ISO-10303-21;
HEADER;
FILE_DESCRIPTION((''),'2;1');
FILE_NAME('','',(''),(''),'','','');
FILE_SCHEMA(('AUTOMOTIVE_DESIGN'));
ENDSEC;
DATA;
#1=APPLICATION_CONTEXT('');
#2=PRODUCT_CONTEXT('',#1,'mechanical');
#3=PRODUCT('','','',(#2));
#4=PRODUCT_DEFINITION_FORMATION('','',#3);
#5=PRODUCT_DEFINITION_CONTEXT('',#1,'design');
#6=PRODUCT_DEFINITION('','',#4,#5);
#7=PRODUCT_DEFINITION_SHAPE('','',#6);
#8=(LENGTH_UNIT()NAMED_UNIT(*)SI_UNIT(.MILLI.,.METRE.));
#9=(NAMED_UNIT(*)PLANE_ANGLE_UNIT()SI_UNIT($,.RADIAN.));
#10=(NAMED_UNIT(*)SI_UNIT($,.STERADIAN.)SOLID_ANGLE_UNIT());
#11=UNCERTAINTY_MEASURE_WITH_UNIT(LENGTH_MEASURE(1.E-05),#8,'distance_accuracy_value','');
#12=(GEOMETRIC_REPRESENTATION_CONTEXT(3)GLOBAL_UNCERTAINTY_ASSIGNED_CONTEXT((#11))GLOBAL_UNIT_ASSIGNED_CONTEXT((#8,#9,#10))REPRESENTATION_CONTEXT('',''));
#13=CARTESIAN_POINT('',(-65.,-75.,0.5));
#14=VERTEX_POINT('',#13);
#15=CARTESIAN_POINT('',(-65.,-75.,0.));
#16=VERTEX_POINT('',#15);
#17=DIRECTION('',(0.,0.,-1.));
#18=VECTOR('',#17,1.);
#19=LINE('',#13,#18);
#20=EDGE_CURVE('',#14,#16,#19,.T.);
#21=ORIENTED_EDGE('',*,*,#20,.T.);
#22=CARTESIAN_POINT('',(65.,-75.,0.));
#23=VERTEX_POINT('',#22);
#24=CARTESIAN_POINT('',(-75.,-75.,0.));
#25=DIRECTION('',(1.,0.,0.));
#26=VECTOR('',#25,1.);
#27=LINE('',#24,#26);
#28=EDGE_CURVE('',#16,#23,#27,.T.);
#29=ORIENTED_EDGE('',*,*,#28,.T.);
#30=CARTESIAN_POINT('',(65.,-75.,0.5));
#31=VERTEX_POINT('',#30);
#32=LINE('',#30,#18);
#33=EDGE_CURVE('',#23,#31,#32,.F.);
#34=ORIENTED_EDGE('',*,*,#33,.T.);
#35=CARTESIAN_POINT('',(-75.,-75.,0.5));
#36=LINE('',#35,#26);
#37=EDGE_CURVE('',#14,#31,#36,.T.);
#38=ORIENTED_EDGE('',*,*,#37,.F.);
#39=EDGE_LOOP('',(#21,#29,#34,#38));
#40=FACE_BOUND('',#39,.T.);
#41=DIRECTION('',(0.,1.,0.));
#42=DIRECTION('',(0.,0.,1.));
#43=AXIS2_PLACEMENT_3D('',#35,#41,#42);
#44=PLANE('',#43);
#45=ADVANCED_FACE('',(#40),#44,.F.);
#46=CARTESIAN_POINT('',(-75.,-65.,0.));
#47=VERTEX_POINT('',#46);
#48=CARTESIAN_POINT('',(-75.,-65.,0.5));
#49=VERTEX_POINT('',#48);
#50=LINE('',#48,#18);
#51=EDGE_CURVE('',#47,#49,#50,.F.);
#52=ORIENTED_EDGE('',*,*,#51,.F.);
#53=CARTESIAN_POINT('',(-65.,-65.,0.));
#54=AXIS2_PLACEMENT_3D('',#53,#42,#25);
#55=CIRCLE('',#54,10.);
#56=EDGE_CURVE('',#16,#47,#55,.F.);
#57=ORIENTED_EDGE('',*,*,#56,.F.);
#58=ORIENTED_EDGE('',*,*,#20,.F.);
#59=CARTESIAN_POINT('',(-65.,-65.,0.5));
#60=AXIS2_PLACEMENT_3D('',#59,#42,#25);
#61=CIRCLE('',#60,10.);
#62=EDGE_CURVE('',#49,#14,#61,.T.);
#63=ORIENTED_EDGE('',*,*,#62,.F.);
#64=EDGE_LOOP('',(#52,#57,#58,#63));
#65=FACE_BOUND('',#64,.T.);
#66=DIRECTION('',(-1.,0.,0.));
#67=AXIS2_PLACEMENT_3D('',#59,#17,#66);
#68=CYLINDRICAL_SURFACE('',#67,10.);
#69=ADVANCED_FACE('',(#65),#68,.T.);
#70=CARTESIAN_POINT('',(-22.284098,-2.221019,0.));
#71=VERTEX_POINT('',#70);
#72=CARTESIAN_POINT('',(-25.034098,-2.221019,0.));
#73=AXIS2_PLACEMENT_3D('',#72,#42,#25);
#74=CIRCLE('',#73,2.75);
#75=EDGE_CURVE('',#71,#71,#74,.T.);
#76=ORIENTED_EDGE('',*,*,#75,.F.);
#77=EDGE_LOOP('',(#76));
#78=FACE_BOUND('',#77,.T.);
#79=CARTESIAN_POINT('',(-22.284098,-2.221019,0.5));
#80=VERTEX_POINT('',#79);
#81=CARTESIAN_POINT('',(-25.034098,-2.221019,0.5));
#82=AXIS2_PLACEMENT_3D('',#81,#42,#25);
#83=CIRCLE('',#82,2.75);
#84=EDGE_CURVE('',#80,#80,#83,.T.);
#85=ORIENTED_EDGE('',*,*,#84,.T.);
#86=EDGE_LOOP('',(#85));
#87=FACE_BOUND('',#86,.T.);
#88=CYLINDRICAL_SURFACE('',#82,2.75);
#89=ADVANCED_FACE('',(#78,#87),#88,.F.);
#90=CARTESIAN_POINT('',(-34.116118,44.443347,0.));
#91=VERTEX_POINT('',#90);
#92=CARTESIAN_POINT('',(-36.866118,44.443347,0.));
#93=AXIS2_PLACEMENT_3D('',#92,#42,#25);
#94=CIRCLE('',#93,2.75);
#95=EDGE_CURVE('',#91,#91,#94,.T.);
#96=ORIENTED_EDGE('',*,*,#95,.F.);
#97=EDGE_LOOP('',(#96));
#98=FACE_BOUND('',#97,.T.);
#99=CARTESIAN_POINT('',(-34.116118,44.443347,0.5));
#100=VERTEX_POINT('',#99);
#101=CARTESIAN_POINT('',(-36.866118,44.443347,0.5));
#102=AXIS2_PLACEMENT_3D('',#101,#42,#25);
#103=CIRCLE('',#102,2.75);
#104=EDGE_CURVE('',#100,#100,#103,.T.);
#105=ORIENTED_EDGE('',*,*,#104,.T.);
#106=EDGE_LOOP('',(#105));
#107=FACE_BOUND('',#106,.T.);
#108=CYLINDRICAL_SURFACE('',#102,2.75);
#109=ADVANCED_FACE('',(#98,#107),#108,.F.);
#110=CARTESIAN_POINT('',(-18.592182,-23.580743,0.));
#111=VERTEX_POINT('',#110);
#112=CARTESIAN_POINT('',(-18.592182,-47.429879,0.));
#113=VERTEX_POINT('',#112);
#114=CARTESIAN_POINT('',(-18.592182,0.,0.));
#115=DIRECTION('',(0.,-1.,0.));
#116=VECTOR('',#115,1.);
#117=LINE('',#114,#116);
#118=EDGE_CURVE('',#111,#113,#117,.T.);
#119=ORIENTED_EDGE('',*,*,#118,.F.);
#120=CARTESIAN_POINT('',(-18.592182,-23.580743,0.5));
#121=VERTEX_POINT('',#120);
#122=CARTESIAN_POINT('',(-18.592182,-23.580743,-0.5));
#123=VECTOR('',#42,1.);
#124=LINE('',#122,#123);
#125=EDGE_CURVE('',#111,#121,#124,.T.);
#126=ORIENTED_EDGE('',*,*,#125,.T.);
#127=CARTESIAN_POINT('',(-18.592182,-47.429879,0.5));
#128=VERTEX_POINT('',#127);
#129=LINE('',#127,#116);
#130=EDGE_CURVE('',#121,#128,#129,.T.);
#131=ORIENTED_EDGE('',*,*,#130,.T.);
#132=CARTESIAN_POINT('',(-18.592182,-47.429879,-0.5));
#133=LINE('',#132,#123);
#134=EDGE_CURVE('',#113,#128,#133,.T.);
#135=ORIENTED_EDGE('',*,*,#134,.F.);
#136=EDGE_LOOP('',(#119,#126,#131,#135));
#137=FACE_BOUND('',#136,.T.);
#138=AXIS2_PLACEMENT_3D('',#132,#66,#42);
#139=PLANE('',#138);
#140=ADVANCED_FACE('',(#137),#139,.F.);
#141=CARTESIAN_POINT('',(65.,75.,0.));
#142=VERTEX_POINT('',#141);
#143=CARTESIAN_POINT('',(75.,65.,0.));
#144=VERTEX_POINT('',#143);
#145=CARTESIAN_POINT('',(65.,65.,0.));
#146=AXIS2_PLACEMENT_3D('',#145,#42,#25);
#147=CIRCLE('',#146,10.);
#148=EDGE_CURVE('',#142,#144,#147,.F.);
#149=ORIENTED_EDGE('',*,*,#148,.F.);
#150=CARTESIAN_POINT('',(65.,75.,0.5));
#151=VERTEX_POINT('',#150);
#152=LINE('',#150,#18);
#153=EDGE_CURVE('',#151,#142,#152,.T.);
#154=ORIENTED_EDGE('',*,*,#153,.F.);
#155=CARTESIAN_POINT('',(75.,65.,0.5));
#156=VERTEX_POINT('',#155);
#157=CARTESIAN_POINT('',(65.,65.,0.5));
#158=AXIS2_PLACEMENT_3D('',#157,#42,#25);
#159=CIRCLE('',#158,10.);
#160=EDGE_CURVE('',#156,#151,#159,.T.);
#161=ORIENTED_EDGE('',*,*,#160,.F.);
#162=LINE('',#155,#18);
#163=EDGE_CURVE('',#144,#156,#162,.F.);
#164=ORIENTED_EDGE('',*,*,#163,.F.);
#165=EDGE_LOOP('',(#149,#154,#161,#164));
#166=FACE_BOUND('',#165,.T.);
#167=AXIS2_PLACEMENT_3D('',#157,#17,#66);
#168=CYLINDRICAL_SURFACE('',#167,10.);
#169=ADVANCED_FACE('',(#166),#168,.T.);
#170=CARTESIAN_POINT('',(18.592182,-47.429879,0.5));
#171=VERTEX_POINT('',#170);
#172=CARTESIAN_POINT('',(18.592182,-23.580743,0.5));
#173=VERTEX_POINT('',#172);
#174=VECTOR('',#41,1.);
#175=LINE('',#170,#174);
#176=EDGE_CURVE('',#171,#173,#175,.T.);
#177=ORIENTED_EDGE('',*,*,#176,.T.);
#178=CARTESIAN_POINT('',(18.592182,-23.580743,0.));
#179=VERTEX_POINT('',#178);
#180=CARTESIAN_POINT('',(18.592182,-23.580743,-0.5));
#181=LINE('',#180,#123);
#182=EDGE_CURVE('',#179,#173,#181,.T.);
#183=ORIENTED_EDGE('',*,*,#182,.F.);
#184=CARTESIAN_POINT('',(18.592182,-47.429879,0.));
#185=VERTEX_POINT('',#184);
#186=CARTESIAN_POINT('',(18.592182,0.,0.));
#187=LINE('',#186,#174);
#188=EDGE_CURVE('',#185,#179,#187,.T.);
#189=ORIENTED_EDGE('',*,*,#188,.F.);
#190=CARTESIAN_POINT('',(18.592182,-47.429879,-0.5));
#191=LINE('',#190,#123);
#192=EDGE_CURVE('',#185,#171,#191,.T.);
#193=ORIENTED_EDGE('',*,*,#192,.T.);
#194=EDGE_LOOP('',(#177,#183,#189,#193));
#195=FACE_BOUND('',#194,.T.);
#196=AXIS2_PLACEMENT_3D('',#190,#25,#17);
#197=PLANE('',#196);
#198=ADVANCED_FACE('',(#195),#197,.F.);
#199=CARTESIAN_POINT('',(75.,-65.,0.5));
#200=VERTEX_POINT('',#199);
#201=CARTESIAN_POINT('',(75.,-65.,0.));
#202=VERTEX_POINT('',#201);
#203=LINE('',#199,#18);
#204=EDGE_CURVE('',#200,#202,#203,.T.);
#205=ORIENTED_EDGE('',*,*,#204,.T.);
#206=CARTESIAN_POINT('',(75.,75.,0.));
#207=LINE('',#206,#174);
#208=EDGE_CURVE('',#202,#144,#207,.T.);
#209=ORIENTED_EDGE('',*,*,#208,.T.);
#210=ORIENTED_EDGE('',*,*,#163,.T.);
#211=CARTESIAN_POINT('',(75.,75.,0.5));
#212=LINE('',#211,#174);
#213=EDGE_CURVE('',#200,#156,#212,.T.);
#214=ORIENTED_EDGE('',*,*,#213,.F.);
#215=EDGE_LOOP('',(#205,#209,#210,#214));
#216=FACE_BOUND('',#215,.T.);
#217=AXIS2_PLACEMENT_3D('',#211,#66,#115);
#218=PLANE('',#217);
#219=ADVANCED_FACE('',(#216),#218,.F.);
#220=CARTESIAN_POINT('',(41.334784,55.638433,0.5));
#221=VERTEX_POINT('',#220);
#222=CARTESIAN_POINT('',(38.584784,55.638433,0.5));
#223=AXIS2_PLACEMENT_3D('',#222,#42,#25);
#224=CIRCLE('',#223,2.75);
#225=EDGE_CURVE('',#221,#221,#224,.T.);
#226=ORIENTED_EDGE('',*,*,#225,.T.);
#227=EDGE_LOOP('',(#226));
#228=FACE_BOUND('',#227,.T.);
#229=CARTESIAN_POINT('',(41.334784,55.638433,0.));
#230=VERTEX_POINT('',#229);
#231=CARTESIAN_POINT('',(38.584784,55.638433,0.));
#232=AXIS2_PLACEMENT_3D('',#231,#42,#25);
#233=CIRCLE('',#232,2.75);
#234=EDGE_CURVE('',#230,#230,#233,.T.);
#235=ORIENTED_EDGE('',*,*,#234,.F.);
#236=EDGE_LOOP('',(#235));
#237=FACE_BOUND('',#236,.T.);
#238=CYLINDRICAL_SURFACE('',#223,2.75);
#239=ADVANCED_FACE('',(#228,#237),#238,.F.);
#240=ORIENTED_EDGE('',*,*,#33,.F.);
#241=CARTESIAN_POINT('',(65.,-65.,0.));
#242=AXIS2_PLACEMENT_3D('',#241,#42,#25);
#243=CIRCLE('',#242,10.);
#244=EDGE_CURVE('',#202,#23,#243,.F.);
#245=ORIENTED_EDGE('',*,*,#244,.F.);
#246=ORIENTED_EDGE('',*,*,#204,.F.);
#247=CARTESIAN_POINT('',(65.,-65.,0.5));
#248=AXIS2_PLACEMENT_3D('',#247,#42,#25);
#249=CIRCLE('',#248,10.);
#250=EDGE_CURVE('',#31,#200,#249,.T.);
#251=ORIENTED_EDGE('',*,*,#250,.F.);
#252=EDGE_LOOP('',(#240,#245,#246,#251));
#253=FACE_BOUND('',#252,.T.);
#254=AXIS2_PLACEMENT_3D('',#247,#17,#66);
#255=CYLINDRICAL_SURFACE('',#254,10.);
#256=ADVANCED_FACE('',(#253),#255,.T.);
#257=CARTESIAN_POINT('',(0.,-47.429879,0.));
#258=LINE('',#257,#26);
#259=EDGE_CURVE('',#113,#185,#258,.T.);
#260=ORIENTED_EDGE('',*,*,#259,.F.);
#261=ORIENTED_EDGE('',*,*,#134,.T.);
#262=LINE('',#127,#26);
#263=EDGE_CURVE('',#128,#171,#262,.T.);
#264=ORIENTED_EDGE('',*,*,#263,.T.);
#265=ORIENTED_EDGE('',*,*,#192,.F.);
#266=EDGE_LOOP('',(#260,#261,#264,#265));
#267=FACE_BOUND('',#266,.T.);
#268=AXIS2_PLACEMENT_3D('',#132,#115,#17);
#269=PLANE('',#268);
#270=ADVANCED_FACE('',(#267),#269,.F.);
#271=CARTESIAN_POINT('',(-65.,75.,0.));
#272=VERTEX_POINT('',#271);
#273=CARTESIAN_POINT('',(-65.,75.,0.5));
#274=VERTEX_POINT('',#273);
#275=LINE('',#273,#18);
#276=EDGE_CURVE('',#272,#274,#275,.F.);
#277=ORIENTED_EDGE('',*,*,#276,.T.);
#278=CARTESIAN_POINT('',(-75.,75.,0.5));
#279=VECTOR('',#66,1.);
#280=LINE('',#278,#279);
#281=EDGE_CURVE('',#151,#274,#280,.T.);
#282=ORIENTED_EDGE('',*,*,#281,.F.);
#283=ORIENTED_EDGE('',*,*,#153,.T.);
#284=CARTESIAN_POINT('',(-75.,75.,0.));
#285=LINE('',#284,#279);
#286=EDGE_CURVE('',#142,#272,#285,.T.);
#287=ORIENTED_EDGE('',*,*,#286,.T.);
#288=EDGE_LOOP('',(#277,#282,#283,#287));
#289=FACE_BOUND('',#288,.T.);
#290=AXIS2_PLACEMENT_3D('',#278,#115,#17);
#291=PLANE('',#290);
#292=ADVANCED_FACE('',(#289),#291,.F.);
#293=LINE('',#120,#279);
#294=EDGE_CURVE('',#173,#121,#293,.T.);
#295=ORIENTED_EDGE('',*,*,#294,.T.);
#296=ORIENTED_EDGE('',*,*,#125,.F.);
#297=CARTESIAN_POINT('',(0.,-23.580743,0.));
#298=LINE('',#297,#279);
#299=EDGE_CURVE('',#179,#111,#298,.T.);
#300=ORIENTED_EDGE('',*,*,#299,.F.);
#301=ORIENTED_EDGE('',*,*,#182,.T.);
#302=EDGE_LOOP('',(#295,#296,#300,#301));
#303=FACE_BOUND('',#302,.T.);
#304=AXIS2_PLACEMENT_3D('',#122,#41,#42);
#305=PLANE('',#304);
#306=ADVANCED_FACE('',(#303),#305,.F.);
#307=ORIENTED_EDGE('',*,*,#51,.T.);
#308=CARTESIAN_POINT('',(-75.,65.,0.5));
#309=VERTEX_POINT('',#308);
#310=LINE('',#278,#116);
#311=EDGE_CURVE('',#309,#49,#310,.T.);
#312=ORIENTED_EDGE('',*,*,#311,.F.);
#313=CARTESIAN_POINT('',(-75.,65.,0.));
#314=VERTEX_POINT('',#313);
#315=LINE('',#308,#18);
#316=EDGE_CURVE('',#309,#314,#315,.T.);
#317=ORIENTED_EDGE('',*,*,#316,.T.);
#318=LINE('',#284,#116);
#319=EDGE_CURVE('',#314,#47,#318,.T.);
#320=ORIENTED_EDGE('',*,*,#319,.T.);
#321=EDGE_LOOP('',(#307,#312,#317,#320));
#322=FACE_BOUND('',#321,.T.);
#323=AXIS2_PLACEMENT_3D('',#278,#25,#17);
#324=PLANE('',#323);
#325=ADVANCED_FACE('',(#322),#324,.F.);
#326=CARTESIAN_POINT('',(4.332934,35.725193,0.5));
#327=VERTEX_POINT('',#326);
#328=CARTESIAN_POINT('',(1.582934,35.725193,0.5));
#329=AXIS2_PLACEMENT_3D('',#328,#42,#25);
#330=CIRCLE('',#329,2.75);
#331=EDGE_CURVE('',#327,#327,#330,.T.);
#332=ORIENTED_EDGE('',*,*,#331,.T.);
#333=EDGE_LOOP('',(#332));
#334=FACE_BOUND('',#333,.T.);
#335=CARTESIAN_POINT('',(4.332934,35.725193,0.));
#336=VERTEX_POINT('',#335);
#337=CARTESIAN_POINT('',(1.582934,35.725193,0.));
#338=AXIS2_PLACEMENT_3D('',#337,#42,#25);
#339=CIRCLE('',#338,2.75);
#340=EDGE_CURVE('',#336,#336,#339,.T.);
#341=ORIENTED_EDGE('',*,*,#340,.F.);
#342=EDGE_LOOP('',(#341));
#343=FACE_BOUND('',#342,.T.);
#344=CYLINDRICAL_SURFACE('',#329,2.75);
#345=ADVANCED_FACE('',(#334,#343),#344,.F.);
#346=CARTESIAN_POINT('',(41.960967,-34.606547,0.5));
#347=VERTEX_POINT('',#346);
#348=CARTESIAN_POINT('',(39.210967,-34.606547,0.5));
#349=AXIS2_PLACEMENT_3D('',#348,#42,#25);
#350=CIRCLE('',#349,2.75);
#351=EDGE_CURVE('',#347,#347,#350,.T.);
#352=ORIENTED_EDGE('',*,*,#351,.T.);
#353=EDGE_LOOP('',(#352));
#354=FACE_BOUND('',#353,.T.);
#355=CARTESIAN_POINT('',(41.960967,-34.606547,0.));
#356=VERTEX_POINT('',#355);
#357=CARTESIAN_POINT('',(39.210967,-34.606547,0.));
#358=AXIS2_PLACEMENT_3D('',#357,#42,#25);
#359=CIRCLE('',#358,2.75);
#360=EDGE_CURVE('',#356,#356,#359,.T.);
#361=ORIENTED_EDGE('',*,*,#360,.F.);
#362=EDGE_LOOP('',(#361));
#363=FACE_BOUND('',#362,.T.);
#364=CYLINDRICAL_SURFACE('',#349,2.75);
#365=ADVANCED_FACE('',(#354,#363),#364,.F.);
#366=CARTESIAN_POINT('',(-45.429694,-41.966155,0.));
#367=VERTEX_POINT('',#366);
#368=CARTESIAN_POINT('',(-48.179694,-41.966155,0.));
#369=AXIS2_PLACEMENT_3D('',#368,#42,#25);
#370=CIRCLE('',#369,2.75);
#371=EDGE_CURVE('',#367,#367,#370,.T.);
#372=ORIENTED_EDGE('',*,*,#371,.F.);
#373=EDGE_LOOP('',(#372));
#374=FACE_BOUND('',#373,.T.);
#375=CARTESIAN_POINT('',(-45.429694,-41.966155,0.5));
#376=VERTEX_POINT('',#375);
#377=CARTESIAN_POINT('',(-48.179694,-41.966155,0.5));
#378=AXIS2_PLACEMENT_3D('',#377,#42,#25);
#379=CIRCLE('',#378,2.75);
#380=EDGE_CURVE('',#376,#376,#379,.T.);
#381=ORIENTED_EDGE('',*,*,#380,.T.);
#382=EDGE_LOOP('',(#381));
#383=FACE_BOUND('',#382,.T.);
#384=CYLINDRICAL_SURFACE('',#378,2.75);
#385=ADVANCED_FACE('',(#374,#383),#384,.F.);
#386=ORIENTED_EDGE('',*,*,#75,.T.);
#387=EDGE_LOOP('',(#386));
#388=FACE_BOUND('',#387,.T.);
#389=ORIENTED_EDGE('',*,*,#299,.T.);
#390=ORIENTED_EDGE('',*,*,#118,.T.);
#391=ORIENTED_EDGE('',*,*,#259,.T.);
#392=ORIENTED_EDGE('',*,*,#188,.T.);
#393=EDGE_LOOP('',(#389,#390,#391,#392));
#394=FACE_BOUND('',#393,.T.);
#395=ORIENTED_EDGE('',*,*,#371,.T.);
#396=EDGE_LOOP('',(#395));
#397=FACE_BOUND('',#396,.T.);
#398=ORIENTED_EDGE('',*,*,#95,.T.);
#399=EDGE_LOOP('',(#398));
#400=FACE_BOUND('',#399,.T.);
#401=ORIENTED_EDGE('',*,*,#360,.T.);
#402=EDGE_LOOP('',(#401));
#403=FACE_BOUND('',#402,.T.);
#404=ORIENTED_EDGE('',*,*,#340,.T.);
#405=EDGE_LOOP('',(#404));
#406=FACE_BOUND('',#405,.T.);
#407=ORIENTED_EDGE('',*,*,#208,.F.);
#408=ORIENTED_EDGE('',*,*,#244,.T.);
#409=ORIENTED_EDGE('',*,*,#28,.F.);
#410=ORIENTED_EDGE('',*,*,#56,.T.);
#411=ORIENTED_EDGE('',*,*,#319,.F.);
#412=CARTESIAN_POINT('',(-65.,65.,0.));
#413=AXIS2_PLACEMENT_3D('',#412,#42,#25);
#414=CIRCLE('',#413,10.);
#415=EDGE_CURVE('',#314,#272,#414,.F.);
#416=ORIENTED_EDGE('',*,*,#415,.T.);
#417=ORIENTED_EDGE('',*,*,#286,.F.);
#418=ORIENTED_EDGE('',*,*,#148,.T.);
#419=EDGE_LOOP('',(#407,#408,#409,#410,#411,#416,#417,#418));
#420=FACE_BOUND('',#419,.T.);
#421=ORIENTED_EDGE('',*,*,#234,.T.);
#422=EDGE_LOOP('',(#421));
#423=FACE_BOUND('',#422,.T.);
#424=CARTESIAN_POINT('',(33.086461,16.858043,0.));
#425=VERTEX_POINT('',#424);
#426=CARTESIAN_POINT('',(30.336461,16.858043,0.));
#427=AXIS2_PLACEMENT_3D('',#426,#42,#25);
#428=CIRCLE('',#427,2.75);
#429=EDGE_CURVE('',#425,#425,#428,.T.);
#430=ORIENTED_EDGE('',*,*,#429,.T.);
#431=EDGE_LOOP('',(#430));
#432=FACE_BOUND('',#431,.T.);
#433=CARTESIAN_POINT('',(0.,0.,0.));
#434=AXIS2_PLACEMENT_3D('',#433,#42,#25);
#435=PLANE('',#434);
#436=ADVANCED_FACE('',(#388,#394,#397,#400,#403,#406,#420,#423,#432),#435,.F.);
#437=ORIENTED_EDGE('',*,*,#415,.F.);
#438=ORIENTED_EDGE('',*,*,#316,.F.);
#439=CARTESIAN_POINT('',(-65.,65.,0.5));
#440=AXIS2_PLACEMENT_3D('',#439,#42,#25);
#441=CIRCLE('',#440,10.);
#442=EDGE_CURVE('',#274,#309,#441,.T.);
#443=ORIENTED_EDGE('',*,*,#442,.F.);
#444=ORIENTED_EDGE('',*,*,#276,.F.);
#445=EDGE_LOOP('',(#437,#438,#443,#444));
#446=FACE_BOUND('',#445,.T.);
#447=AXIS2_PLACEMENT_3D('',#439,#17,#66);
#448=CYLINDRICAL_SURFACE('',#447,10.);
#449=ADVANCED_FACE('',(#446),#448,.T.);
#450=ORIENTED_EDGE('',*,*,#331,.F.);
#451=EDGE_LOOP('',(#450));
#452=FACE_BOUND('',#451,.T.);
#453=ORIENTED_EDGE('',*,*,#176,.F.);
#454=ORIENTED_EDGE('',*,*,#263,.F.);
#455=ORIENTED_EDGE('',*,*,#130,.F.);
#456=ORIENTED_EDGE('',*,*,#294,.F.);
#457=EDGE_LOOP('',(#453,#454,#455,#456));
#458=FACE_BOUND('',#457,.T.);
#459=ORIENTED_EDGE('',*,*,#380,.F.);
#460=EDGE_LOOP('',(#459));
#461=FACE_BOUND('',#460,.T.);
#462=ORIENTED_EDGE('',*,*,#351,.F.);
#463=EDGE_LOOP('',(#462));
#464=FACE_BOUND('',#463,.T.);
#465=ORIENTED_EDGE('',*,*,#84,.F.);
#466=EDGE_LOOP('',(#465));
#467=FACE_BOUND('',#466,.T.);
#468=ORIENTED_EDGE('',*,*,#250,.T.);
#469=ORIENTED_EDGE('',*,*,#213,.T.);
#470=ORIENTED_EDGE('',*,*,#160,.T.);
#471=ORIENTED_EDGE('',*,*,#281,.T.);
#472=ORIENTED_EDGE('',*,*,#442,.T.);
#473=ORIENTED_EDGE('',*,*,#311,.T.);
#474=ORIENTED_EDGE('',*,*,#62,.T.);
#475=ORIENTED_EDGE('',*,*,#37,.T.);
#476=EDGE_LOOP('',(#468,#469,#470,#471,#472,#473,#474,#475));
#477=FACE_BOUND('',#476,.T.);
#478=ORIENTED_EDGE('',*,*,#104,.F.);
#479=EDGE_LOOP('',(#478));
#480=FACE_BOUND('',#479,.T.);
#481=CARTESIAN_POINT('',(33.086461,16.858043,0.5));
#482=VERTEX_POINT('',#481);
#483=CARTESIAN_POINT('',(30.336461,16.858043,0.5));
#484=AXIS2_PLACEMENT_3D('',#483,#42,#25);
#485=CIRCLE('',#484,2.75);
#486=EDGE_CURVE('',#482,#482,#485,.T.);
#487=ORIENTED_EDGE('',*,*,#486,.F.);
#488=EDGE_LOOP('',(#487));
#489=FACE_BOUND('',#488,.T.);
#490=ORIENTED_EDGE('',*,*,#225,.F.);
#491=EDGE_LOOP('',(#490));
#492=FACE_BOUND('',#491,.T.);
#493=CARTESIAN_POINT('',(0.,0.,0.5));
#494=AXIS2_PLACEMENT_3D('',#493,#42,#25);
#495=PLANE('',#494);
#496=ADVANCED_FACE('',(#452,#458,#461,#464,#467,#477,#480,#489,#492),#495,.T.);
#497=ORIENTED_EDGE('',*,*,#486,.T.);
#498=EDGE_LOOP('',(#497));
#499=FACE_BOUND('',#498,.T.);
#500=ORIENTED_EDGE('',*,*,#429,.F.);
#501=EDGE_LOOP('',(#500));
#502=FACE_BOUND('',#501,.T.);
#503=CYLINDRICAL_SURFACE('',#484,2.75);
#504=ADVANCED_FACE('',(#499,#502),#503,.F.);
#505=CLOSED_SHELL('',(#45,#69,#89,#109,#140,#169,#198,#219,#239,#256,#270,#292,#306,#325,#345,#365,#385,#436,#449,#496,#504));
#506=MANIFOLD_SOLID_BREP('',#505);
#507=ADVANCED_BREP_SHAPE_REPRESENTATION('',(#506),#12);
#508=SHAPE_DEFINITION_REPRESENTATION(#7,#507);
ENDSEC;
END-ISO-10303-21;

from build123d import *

# Parameters (mm, degrees)
SCHIZZO1_W                   = 150
SCHIZZO1_H                   = 150
ESTRUSIONE_ESTRUSIONE1_DEPTH = 0.5
RACCORDO1_R                  = 10
FORO_PER_VITE_M5_1_D         = 5.5
SCHIZZO3_W                   = 37.184364996
SCHIZZO3_H                   = 23.849136367
TAGLIO_ESTRUSIONE1_DEPTH     = 1


with BuildPart() as part:
    # Schizzo1 → Estrusione-Estrusione1 (new body)
    with BuildSketch(Plane.XY):
        Rectangle(SCHIZZO1_W, SCHIZZO1_H)
    extrude(amount=ESTRUSIONE_ESTRUSIONE1_DEPTH)

    # Raccordo1
    raccordo1_edges = [part.edges().sort_by_distance(p)[0] for p in [
        (75, -75, 0.25),
        (-75, -75, 0.25),
        (-75, 75, 0.25),
        (75, 75, 0.25),
    ]]
    fillet(raccordo1_edges, radius=RACCORDO1_R)

    # Foro per Vite M5-1 (through all)
    with Locations(Plane(origin=(-48.17969376, -41.96615453, 0.5), x_dir=(1, 0, 0), z_dir=(0, 0, 1))):
        with Locations((0, 0), (23.145595818, 39.745135108), (78.516154922, 58.824197627), (87.390661123, 7.359607969), (11.313576068, 86.409501177), (86.764478148, 97.604587147), (49.762627912, 77.691347737)):
            Hole(FORO_PER_VITE_M5_1_D / 2)

    # Schizzo3 → Taglio-Estrusione1 (cut)
    with BuildSketch(Plane.XY.offset(0.5)):
        with Locations((0, -35.505311098)):
            Rectangle(SCHIZZO3_W, SCHIZZO3_H)
    extrude(amount=-TAGLIO_ESTRUSIONE1_DEPTH, mode=Mode.SUBTRACT)


solid = part.part
